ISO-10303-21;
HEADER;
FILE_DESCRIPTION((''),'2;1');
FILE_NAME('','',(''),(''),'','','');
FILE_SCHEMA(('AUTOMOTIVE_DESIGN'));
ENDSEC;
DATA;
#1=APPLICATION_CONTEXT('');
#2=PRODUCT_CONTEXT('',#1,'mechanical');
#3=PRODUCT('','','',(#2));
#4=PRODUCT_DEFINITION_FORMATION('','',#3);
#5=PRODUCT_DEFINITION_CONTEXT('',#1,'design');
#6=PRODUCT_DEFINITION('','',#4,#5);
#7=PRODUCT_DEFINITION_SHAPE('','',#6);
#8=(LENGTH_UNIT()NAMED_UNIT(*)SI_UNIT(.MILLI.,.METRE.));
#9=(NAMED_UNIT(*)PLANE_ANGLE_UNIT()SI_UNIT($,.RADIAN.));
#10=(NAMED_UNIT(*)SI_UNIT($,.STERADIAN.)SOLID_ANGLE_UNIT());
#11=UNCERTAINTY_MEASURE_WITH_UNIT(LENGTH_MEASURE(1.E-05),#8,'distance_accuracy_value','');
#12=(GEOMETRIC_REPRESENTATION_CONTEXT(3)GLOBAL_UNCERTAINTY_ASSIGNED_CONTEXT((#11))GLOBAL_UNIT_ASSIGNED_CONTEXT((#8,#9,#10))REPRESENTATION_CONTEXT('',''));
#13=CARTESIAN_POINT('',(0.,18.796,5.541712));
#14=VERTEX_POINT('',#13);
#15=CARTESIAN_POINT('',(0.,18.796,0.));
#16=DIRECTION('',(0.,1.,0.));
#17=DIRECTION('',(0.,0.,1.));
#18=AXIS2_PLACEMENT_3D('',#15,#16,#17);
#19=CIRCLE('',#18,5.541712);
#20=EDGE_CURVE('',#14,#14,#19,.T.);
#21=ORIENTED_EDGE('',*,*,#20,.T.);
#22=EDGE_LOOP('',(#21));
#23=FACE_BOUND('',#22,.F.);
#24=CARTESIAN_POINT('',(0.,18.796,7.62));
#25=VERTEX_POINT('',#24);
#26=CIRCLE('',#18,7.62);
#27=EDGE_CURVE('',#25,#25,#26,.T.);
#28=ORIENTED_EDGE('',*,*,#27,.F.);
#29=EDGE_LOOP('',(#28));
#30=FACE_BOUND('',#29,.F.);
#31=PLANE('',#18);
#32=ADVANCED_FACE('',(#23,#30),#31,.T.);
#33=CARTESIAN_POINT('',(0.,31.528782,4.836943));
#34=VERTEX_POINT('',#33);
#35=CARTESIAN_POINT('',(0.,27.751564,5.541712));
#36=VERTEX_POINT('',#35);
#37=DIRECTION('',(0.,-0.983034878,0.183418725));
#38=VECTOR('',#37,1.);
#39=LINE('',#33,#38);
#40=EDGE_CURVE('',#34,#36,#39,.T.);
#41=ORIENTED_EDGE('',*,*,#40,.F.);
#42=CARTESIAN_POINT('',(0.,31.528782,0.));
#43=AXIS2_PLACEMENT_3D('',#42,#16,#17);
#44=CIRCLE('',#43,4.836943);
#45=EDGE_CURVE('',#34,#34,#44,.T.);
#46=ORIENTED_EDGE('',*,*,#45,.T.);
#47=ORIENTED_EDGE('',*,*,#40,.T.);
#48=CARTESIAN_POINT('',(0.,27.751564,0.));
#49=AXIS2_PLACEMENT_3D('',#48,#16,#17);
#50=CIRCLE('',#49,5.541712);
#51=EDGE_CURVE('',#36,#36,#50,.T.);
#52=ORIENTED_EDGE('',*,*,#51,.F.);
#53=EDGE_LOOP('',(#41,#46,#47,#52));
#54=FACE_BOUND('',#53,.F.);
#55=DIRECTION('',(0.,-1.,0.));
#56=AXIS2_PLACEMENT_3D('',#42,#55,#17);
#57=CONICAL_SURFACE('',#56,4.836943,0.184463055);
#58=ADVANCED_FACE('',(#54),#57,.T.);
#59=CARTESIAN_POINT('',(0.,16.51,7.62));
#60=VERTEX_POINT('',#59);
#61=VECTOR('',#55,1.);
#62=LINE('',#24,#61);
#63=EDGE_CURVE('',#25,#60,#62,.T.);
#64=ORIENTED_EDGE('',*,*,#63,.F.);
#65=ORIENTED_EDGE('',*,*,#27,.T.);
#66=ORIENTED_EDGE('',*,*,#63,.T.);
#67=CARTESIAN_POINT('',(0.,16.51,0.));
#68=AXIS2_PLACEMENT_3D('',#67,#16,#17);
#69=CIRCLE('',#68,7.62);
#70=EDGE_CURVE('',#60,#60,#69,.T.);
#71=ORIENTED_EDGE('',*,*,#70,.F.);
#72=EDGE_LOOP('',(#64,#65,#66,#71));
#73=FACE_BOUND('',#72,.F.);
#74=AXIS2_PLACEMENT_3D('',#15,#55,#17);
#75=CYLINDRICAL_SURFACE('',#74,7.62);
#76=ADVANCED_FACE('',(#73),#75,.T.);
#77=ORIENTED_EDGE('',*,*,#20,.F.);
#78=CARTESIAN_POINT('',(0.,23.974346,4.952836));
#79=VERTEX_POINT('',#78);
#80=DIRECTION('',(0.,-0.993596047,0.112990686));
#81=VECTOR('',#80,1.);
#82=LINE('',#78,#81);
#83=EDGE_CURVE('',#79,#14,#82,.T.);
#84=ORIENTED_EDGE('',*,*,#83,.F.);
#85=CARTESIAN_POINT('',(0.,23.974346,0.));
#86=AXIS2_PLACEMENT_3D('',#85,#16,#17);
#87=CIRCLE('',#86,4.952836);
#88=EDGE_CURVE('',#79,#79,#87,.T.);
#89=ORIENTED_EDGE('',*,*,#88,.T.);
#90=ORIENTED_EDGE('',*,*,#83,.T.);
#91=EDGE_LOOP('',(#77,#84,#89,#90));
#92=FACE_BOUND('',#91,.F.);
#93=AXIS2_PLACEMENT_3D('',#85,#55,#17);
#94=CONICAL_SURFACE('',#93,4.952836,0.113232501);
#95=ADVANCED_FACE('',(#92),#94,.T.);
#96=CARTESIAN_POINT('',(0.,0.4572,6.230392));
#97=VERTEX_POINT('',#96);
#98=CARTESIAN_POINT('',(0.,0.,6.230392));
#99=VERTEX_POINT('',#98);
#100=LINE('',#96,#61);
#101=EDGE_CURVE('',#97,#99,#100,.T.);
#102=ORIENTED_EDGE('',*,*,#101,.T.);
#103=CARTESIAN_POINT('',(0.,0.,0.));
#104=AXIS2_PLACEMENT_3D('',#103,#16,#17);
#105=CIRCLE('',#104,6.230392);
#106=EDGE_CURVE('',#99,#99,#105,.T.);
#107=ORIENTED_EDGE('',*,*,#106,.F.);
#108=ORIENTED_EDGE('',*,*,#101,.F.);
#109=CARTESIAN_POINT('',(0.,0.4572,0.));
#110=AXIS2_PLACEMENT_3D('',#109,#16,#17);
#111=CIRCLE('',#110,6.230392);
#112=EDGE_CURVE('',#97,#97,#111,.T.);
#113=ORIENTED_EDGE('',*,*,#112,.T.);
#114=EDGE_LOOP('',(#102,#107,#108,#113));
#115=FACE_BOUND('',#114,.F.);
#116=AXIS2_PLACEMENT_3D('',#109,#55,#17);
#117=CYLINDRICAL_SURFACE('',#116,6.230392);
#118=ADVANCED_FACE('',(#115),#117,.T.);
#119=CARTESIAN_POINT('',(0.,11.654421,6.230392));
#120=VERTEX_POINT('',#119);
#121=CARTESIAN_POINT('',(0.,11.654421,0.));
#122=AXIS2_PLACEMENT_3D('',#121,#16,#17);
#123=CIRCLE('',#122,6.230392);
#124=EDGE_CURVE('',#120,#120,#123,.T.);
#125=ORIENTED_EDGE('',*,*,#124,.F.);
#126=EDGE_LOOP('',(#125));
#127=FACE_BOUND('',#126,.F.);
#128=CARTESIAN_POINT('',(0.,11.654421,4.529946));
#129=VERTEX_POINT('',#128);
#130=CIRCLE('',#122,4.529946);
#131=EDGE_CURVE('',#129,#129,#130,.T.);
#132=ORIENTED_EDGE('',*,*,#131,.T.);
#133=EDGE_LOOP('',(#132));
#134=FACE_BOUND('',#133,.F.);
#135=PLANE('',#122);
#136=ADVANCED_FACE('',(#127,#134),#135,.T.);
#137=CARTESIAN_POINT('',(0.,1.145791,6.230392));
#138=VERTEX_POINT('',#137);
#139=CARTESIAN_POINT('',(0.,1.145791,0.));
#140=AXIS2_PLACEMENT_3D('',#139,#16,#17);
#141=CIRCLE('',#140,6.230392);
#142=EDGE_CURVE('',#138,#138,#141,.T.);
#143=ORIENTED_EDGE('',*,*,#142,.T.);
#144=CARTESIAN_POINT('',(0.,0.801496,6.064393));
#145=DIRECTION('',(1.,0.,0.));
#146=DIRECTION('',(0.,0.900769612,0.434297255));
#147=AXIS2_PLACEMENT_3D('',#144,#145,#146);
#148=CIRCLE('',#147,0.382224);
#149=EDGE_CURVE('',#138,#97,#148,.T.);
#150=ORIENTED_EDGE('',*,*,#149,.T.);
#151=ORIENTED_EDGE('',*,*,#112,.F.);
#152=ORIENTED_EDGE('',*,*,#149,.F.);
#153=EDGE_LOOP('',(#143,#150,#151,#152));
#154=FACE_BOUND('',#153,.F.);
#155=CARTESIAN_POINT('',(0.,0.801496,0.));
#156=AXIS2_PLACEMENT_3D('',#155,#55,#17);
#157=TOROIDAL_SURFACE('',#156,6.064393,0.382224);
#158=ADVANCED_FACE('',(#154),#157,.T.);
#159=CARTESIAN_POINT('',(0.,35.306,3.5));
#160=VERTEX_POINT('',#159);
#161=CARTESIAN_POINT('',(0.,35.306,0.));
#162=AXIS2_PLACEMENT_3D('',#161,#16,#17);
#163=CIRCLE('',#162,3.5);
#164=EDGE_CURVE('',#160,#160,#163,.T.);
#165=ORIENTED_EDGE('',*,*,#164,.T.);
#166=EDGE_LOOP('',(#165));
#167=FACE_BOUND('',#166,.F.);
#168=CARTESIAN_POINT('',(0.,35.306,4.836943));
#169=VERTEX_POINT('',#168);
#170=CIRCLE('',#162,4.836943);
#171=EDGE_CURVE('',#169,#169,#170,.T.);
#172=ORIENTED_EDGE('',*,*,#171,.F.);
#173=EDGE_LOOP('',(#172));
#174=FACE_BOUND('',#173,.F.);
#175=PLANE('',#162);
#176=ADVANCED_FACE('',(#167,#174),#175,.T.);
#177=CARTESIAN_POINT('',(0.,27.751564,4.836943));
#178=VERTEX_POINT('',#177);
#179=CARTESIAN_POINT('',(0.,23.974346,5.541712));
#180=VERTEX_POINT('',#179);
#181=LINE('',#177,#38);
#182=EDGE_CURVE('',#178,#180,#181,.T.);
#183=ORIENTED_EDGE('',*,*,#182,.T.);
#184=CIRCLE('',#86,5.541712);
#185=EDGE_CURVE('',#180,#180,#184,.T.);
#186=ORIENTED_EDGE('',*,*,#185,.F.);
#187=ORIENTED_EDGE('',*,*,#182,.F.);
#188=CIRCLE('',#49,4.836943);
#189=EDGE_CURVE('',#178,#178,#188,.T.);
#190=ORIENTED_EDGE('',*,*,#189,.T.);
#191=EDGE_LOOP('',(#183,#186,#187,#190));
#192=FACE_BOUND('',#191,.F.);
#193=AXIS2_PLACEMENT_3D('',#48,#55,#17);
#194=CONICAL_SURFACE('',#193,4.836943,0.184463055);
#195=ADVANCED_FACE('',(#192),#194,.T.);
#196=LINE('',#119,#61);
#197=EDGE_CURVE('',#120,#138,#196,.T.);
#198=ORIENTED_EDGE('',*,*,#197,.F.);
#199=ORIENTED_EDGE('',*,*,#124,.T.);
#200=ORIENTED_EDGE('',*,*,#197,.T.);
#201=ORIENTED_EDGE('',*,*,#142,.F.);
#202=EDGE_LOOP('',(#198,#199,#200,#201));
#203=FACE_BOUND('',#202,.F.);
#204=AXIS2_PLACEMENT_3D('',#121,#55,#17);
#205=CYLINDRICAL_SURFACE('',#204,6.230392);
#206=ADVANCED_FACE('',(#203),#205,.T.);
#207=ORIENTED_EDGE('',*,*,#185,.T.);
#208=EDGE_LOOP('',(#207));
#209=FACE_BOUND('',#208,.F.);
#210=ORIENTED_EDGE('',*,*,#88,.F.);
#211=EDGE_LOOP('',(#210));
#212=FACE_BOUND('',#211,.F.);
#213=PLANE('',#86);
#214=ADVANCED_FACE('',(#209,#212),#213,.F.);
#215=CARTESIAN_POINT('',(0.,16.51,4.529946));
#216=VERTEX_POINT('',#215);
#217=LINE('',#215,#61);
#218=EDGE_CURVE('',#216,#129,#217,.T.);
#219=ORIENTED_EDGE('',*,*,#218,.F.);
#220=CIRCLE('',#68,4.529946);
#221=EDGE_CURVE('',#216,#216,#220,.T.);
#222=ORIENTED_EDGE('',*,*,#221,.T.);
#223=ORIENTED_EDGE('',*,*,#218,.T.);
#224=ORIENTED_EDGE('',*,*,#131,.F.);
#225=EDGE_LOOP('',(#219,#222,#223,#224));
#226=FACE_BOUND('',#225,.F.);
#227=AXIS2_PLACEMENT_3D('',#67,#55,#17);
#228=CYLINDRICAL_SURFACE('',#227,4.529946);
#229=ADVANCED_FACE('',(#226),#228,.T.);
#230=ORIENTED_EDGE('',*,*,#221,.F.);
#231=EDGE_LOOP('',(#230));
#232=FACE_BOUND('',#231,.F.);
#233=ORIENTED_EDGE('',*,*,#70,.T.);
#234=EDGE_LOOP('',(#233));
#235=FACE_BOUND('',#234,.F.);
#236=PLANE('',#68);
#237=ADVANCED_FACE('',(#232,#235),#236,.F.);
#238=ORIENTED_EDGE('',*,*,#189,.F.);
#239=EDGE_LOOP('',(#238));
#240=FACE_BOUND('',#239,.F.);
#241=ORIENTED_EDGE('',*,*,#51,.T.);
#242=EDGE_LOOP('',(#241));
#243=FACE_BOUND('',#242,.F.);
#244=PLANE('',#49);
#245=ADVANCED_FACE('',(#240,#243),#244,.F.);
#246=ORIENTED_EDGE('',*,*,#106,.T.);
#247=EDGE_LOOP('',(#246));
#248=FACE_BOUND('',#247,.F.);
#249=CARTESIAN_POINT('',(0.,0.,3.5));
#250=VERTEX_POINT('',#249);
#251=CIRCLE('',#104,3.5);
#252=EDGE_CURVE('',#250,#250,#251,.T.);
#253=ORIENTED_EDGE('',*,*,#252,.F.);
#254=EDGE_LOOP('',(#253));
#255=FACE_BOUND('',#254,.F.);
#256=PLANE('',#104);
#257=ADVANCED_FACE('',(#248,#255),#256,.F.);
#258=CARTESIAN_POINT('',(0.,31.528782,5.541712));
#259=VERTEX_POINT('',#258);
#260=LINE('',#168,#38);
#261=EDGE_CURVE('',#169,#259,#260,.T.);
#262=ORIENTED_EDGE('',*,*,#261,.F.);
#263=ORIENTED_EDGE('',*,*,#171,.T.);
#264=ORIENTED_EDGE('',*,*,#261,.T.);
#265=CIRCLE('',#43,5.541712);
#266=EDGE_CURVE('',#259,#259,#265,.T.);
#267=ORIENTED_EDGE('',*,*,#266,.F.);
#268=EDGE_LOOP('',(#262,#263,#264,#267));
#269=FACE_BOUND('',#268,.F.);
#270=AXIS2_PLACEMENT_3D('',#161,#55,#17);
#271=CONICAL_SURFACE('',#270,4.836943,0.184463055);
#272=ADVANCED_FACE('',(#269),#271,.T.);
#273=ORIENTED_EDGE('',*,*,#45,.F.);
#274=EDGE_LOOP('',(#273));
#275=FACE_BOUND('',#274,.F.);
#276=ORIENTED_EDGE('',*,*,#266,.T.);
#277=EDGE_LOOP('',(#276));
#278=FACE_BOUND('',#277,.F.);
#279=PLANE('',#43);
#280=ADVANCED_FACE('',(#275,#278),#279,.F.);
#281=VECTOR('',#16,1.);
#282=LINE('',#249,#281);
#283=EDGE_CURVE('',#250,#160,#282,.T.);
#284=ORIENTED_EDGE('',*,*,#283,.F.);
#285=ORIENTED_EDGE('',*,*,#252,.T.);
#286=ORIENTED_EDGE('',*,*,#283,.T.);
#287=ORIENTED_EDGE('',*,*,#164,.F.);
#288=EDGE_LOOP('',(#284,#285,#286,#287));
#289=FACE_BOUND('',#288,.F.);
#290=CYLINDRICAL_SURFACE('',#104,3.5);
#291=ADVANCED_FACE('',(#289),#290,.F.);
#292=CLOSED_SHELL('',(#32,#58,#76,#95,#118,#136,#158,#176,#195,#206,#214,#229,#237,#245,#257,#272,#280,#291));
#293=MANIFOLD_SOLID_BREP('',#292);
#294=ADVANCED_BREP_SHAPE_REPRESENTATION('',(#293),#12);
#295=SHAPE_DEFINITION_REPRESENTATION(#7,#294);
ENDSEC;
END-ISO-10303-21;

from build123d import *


with BuildPart() as f1:
    # F0 (on Right) → F1 (revolve)
    with BuildSketch(Plane.YZ):
        with BuildLine():
            Line((0.4572, 6.230392), (0, 6.230392))
            Line((0, 6.230392), (0, 3.5))
            Line((0, 3.5), (35.306, 3.5))
            Line((35.306, 3.5), (35.306, 4.836943))
            Line((35.306, 4.836943), (31.528782, 5.541712))
            Line((31.528782, 5.541712), (31.528782, 4.836943))
            Line((31.528782, 4.836943), (27.751564, 5.541712))
            Line((27.751564, 5.541712), (27.751564, 4.836943))
            Line((27.751564, 4.836943), (23.974346, 5.541712))
            Line((23.974346, 5.541712), (23.974346, 4.952836))
            Line((23.974346, 4.952836), (18.796, 5.541712))
            Line((18.796, 5.541712), (18.796, 7.62))
            Line((18.796, 7.62), (16.51, 7.62))
            Line((16.51, 7.62), (16.51, 4.529946))
            Line((16.51, 4.529946), (11.654421, 4.529946))
            Line((11.654421, 4.529946), (11.654421, 6.230392))
            Line((11.654421, 6.230392), (1.145791, 6.230392))
            ThreePointArc((1.145791, 6.230392), (0.801495, 6.446617), (0.4572, 6.230392))
        make_face()
    revolve(axis=Axis((0, 43.56328, 0), (0, 1, 0)))


solid = f1.part
